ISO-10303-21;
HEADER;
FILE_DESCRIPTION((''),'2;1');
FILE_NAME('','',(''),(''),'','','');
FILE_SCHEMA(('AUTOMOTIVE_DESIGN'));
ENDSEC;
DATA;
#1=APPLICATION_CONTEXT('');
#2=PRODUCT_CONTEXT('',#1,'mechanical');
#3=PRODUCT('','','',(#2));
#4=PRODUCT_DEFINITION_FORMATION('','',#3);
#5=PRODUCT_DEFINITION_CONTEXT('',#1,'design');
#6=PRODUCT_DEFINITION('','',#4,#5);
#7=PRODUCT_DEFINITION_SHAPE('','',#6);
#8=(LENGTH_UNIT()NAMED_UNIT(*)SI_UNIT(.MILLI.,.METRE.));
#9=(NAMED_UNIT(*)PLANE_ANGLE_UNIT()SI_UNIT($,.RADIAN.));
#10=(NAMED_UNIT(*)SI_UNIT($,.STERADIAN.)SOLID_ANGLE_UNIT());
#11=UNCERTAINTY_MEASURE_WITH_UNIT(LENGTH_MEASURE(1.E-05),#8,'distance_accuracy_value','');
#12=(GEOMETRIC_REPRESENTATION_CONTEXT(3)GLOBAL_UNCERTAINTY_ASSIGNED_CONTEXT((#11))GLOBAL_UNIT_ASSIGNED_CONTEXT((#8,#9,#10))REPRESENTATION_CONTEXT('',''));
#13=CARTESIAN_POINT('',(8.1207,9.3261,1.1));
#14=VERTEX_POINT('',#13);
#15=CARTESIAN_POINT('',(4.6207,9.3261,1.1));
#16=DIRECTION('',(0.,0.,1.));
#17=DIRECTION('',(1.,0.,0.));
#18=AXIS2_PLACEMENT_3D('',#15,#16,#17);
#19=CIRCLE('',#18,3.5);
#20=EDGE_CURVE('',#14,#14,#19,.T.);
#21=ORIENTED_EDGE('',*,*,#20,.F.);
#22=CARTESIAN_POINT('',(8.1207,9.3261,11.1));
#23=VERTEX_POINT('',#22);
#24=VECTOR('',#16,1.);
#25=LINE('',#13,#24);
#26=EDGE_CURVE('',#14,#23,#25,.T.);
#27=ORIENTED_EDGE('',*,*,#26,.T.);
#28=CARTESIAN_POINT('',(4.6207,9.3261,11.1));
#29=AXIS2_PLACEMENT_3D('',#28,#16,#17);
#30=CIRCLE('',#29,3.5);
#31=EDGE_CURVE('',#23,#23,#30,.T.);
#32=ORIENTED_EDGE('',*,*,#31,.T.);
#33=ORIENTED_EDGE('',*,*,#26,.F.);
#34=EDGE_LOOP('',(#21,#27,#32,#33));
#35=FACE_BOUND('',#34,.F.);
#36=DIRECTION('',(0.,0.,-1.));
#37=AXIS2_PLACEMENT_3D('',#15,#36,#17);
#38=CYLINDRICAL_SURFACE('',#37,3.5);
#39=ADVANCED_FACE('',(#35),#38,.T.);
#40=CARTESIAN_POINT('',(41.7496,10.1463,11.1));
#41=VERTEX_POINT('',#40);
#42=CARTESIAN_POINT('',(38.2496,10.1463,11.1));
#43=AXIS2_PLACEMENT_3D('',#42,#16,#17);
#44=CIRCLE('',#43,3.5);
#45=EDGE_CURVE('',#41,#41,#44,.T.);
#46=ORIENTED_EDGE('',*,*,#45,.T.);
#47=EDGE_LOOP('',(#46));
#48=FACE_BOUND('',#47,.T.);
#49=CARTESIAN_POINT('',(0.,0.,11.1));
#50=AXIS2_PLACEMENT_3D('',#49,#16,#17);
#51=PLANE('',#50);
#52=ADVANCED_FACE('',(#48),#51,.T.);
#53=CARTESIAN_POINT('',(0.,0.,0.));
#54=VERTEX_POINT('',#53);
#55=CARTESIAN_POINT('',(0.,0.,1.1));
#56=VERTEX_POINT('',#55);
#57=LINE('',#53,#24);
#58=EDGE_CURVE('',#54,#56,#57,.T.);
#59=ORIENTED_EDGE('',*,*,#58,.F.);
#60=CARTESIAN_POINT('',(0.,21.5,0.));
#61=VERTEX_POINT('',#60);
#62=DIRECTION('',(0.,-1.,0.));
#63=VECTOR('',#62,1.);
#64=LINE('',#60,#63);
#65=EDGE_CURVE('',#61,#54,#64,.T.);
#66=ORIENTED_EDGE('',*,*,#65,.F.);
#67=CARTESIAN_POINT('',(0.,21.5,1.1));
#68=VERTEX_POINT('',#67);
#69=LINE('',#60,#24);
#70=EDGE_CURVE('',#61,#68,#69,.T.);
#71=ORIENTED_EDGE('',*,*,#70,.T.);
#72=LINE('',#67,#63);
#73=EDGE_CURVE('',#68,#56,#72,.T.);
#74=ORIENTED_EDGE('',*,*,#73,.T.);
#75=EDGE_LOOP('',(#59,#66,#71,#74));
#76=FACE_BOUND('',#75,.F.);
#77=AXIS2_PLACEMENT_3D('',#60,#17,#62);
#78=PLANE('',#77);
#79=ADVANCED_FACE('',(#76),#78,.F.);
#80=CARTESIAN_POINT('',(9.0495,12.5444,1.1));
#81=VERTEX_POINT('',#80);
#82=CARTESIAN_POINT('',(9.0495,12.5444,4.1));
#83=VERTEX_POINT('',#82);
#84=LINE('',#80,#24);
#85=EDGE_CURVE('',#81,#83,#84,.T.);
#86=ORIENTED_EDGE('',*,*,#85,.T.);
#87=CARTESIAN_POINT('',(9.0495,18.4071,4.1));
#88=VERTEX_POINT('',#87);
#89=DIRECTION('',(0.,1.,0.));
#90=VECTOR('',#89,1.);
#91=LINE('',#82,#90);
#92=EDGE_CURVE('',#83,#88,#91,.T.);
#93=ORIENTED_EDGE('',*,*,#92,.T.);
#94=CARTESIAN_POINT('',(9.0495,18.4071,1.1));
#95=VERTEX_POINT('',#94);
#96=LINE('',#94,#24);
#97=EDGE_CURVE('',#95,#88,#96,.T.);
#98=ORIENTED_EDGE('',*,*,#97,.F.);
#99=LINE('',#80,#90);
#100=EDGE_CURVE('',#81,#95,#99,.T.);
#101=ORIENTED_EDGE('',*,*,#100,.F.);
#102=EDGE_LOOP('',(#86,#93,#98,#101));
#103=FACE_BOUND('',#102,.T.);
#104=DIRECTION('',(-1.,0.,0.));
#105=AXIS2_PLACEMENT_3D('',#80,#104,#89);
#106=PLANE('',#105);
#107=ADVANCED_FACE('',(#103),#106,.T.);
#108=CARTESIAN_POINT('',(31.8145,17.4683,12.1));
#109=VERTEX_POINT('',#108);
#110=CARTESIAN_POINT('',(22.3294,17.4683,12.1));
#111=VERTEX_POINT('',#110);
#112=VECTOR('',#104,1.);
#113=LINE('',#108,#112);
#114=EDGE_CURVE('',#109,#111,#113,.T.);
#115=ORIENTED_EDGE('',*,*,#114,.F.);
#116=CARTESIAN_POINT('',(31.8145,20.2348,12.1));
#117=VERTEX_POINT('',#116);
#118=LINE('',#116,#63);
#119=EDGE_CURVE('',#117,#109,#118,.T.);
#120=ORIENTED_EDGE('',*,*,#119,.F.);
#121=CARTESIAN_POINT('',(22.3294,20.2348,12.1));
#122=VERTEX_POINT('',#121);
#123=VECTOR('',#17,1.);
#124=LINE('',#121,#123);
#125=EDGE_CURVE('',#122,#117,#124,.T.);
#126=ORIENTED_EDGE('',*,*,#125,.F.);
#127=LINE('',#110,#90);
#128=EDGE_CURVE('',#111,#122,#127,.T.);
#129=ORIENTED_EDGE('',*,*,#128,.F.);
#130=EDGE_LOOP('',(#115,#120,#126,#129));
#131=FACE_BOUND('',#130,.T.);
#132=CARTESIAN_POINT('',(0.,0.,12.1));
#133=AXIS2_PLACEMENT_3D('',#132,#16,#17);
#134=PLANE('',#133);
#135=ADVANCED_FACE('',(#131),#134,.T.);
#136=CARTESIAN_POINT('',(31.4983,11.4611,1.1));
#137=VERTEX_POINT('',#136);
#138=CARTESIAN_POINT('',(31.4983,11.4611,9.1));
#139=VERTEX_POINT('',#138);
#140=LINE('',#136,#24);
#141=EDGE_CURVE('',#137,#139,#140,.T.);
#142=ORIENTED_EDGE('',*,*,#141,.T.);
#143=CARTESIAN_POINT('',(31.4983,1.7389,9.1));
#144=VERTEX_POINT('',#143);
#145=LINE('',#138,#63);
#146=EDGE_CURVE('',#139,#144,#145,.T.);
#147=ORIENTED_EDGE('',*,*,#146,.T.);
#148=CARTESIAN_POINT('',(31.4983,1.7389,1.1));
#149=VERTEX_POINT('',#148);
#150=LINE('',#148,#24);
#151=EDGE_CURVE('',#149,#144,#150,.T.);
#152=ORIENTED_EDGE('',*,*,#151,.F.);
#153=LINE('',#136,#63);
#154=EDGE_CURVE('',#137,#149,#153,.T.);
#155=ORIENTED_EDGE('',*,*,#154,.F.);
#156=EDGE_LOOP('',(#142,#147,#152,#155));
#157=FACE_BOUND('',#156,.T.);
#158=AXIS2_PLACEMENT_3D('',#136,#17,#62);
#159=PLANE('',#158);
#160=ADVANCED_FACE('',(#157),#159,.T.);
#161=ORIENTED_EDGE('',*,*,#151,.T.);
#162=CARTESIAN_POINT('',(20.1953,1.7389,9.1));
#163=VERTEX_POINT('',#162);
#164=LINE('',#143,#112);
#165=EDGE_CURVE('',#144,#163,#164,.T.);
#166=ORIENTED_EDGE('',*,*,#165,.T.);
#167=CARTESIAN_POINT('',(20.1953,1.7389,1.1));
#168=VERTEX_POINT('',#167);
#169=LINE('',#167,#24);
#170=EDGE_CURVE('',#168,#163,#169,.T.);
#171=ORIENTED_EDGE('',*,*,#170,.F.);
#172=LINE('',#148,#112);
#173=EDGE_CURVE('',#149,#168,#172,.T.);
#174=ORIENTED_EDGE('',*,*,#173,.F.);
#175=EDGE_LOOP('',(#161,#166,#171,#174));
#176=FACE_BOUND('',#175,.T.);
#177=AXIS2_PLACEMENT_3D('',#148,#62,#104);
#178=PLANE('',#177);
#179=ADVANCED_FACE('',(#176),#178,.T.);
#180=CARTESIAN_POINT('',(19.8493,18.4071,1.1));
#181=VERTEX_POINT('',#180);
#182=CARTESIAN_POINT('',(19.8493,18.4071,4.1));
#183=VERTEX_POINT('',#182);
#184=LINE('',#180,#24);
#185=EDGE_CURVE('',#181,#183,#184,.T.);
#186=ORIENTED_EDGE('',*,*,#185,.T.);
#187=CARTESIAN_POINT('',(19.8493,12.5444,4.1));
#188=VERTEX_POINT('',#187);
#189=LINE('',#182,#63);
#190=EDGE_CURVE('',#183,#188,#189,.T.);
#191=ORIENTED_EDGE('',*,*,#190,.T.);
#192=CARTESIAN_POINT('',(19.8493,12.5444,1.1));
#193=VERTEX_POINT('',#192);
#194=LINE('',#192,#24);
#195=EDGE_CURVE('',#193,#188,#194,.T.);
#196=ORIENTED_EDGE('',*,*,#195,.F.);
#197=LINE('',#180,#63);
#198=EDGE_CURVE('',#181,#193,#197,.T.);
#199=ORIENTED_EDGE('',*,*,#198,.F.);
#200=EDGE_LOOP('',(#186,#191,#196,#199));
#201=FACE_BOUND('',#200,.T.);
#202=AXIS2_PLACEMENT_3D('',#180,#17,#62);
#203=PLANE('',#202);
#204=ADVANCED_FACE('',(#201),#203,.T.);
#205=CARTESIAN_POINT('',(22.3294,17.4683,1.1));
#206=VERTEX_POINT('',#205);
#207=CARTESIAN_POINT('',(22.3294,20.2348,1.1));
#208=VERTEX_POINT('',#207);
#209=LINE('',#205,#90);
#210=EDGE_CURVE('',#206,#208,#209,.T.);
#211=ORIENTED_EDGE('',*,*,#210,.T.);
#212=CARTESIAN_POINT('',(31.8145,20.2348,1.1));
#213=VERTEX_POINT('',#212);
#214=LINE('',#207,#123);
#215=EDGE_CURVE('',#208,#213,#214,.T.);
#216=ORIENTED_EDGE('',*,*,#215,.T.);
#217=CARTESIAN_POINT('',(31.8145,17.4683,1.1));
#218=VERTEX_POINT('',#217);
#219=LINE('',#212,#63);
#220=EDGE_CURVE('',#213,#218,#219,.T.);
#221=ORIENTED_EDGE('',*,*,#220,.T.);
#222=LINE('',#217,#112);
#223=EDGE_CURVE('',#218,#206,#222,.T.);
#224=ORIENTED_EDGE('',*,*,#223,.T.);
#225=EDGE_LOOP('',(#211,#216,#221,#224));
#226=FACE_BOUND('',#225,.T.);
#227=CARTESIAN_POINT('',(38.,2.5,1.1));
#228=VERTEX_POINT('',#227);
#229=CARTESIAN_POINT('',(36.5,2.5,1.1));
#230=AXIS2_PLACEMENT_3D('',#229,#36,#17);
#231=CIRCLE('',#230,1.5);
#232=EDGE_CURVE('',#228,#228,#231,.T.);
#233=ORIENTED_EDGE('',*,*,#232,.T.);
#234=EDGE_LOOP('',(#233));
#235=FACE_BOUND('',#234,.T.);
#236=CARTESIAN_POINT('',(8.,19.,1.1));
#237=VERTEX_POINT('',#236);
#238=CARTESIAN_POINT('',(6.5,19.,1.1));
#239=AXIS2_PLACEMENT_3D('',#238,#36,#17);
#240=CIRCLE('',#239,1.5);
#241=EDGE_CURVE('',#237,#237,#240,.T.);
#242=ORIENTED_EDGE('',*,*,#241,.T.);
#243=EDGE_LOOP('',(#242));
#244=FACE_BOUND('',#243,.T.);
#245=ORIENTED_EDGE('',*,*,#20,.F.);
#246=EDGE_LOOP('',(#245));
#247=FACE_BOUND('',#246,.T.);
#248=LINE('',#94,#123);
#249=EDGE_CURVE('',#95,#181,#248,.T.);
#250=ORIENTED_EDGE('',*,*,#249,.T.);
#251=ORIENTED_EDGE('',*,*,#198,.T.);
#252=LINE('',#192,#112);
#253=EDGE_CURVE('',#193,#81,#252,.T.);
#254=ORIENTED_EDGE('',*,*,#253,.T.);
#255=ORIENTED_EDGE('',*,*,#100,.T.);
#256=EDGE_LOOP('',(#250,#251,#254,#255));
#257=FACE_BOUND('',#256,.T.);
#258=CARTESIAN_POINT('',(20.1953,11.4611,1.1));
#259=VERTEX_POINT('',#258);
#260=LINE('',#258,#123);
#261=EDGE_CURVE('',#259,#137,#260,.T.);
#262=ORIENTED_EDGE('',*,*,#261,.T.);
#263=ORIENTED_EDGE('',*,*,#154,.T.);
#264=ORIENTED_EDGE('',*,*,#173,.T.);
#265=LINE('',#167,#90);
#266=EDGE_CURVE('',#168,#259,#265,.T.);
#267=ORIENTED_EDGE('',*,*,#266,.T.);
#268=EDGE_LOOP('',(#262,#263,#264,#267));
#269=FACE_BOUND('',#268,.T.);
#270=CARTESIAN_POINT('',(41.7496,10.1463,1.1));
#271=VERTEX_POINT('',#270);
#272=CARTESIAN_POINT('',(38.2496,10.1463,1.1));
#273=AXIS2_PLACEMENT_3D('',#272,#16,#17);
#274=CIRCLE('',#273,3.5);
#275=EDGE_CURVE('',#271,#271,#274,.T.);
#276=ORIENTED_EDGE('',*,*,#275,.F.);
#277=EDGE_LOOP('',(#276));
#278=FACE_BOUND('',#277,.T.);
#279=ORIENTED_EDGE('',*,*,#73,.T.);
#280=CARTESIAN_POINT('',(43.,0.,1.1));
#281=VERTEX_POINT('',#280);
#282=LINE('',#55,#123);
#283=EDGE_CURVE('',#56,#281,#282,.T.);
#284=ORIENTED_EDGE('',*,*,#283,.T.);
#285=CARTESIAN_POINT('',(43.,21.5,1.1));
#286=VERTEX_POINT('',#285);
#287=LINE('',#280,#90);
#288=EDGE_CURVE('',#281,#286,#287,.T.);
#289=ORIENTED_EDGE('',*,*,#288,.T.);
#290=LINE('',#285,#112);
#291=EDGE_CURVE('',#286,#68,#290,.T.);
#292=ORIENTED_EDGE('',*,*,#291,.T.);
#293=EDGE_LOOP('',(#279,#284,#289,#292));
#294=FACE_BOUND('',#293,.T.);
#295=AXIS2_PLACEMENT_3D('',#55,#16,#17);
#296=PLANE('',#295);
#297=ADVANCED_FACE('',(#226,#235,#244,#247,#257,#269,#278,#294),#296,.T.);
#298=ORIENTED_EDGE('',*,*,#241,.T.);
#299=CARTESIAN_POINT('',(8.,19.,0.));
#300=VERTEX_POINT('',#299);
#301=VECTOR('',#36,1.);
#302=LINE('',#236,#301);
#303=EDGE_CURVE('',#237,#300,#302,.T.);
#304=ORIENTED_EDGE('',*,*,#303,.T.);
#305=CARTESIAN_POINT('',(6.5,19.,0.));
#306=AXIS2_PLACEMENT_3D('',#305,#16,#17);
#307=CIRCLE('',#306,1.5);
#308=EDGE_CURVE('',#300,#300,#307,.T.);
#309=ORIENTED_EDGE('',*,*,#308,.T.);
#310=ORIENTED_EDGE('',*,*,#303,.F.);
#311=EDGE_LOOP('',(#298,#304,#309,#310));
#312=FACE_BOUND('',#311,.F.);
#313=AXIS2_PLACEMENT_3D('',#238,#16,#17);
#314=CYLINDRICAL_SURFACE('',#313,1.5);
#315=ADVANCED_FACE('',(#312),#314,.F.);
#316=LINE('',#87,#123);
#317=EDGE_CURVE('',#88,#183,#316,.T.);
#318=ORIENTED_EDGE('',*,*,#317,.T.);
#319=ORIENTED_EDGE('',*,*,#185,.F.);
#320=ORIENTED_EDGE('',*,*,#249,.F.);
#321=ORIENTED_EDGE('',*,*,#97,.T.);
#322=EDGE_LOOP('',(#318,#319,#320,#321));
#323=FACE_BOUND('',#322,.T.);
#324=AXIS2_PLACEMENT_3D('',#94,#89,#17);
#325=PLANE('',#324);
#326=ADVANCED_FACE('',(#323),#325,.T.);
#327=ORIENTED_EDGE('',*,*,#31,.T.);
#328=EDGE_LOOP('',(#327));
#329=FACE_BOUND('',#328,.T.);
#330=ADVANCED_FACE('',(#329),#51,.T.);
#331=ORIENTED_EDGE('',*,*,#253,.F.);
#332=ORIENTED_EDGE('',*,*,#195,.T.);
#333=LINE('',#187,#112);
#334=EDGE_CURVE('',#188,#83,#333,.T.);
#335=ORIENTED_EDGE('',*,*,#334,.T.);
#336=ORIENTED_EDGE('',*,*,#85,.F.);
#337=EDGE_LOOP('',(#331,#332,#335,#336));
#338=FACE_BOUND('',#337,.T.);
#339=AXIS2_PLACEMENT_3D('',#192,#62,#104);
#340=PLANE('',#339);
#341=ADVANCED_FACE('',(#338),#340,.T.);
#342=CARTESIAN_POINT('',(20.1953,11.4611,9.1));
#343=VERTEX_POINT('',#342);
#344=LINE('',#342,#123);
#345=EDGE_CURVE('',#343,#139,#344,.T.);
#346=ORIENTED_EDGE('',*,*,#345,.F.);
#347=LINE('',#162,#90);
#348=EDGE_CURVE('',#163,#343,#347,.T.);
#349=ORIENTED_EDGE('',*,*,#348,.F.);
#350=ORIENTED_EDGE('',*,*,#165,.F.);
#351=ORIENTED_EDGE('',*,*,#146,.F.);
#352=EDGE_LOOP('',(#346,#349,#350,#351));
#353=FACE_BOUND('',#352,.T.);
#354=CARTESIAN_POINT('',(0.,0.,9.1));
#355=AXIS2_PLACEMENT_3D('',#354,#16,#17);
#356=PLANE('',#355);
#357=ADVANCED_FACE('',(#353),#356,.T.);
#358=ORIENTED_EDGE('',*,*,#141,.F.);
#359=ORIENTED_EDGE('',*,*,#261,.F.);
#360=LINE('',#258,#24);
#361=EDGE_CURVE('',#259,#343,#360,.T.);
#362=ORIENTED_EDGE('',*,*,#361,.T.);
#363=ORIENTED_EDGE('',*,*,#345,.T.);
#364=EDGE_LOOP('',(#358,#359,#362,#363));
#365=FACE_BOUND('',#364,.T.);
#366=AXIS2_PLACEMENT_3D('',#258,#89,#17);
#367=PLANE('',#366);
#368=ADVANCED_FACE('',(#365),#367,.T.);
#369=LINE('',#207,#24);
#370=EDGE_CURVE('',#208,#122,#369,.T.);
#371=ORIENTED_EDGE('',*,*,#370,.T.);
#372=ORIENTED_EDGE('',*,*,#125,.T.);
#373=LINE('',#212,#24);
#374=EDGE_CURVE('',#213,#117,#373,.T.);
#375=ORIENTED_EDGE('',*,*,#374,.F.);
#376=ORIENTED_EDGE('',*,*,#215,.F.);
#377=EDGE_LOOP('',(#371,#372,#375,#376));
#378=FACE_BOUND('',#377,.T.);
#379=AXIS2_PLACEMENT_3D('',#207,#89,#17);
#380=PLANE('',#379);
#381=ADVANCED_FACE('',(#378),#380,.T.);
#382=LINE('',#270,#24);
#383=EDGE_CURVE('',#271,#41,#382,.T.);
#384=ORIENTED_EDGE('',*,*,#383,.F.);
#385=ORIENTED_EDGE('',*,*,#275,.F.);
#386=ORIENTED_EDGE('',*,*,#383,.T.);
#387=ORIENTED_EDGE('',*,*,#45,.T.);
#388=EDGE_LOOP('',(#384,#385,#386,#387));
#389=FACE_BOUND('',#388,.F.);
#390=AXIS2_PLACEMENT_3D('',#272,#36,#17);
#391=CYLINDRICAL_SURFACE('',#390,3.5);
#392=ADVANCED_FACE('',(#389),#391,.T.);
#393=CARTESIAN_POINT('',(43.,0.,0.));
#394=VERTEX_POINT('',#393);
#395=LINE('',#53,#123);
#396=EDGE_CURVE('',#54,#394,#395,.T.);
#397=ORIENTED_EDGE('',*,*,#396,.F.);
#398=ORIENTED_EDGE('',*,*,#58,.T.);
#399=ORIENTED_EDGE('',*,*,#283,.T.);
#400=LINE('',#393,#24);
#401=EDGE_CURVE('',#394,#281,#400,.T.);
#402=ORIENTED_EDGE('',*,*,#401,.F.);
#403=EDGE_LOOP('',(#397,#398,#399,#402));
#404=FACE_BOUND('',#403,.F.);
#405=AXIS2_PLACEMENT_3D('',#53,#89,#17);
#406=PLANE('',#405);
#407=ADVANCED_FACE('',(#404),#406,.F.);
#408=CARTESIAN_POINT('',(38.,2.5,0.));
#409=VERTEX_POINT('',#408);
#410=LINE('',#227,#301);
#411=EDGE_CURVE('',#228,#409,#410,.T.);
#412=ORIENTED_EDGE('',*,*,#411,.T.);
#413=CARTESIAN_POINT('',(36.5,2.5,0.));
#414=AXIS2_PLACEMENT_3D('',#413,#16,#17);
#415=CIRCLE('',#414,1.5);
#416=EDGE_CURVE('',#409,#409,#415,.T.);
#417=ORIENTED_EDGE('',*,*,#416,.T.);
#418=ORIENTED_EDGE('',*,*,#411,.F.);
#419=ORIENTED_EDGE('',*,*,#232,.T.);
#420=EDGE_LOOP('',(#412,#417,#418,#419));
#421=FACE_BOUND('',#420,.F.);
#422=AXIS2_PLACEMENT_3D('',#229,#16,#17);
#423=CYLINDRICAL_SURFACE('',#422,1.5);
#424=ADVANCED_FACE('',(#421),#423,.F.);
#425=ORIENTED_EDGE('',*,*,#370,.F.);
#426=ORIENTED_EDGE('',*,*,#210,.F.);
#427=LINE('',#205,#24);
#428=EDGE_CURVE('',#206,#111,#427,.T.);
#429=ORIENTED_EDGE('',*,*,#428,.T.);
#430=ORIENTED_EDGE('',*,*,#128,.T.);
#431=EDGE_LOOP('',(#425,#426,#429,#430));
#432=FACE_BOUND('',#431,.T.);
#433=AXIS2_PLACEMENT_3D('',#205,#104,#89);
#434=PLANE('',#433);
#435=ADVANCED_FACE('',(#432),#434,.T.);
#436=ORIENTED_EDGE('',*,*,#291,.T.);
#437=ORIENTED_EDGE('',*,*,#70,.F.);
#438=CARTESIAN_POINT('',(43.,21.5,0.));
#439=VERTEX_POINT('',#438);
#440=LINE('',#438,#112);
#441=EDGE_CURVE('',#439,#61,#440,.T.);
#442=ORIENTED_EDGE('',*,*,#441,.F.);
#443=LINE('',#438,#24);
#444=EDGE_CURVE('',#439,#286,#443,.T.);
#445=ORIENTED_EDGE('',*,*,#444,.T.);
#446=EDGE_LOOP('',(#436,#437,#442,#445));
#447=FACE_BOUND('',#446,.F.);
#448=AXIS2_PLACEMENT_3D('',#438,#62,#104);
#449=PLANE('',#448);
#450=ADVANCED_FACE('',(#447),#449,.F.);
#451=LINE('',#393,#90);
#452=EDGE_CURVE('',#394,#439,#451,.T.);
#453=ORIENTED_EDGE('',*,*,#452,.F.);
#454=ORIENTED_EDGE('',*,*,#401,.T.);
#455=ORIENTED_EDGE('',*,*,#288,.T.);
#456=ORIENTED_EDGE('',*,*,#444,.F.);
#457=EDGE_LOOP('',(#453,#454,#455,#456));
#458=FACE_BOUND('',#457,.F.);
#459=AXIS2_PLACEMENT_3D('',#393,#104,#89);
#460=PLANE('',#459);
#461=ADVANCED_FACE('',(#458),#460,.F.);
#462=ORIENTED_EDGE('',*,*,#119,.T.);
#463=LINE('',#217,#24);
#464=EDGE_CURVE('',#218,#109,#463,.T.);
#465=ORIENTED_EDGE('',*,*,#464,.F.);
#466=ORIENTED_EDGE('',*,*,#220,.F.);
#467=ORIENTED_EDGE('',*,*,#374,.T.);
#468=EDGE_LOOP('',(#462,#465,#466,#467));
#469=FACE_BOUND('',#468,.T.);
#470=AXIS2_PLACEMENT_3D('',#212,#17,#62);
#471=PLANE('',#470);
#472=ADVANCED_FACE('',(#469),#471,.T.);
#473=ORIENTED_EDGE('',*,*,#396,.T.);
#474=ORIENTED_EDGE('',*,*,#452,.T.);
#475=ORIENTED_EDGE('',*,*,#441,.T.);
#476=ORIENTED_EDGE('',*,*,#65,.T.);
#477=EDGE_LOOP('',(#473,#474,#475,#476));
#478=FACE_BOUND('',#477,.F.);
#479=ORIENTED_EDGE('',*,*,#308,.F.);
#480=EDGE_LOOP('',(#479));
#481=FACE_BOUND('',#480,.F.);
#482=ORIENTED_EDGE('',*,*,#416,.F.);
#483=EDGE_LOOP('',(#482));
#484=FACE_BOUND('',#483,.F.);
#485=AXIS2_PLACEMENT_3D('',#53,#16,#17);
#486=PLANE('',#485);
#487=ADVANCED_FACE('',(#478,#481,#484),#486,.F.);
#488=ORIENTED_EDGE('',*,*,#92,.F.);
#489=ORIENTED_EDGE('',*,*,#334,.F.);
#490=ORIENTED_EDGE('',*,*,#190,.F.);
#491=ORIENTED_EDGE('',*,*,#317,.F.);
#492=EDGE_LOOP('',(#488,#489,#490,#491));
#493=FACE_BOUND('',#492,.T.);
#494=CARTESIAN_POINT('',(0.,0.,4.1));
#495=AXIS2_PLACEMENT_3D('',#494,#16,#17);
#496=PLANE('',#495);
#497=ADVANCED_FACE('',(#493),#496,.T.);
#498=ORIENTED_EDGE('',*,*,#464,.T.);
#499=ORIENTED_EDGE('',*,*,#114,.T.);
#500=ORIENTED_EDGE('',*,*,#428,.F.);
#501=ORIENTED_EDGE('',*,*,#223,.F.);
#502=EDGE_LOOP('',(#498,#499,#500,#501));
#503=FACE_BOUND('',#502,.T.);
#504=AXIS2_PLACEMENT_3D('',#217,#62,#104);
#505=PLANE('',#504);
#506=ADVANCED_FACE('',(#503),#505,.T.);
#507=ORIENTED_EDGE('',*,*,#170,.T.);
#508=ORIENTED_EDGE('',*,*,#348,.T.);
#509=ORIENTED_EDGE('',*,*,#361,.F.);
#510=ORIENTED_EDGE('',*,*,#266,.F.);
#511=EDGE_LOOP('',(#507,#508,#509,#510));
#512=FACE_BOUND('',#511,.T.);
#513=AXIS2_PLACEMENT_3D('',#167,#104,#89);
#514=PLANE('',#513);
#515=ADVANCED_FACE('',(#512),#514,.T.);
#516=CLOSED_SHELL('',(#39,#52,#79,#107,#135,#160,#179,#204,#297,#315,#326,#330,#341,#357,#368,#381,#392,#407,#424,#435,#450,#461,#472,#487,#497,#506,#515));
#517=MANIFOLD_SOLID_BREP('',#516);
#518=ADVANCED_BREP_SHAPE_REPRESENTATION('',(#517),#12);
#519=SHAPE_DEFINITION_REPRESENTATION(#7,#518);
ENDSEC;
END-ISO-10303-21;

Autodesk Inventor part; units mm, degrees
ref_plane "YZ Plane" through (0, 0, 0) normal (1, 0, 0) x (0, 1, 0)
ref_plane "XZ Plane" through (0, 0, 0) normal (0, 1, 0) x (-1, 0, 0)
ref_plane "XY Plane" through (0, 0, 0) normal (0, 0, 1) x (1, 0, 0)
sketch "Sketch1" plane through (0, 0, 0) normal (0, 0, 1) x (1, 0, 0)
  line L0 (0, 0) -> (43, 0)
  line L1 (43, 0) -> (43, 21.5)
  line L2 (43, 21.5) -> (0, 21.5)
  line L3 (0, 21.5) -> (0, 0)
  dimension "d0" = 43
  dimension "d1" = 21.5
  dimension "d2" = 43
extrude "Extrusion1" add sketch "Sketch1" along normal blind 1.1
sketch "Sketch2" plane through (0, 0, 1.1) normal (0, 0, 1) x (1, 0, 0)
  line L0 (43, 21.5) -> (0, 21.5) projected
  line L1 (0, 21.5) -> (6.5, 21.5)
  line L2 (6.5, 21.5) -> (6.5, 19)
  circle A0 centre (6.5, 19) radius 1.5
  line L3 (0, 0) -> (43, 0) projected
  line L4 (43, 0) -> (36.5, 0)
  line L5 (36.5, 0) -> (36.5, 2.5)
  circle A1 centre (36.5, 2.5) radius 1.5
  dimension "d5" = 6.5
  dimension "d6" = 2.5
  dimension "d7" = 3
  dimension "d8" = 6.5
  dimension "d9" = 2.5
  dimension "d10" = 3
extrude "Extrusion2" cut sketch "Sketch2" against normal blind 1.1
sketch "Sketch3" plane through (0, 0, 1.1) normal (0, 0, 1) x (1, 0, 0)
  circle A0 centre (4.6207, 9.3261) radius 3.5
  circle A1 centre (38.2496, 10.1463) radius 3.5
  point P0 (0, 0)
  dimension "d13" = 7
  dimension "d14" = 7
extrude "Extrusion3" add sketch "Sketch3" along normal blind 10
sketch "Sketch4" plane through (0, 0, 1.1) normal (0, 0, 1) x (1, 0, 0)
  line L0 (31.8145, 20.2348) -> (31.8145, 17.4683)
  line L1 (31.8145, 17.4683) -> (22.3294, 17.4683)
  line L2 (22.3294, 17.4683) -> (22.3294, 20.2348)
  line L3 (22.3294, 20.2348) -> (31.8145, 20.2348)
  point P0 (0, 0)
extrude "Extrusion4" add sketch "Sketch4" along normal blind 11
sketch "Sketch5" plane through (0, 0, 1.1) normal (0, 0, 1) x (1, 0, 0)
  line L0 (31.4983, 11.4611) -> (31.4983, 1.7389)
  line L1 (31.4983, 1.7389) -> (20.1953, 1.7389)
  line L2 (20.1953, 1.7389) -> (20.1953, 11.4611)
  line L3 (20.1953, 11.4611) -> (31.4983, 11.4611)
  point P0 (0, 0)
extrude "Extrusion5" add sketch "Sketch5" along normal blind 8
sketch "Sketch6" plane through (0, 0, 1.1) normal (0, 0, 1) x (1, 0, 0)
  line L0 (9.0495, 18.4071) -> (19.8493, 18.4071)
  line L1 (19.8493, 18.4071) -> (19.8493, 12.5444)
  line L2 (19.8493, 12.5444) -> (9.0495, 12.5444)
  line L3 (9.0495, 12.5444) -> (9.0495, 18.4071)
  point P0 (0, 0)
extrude "Extrusion6" add sketch "Sketch6" along normal blind 3
properties part number "VoltageRegulator"
